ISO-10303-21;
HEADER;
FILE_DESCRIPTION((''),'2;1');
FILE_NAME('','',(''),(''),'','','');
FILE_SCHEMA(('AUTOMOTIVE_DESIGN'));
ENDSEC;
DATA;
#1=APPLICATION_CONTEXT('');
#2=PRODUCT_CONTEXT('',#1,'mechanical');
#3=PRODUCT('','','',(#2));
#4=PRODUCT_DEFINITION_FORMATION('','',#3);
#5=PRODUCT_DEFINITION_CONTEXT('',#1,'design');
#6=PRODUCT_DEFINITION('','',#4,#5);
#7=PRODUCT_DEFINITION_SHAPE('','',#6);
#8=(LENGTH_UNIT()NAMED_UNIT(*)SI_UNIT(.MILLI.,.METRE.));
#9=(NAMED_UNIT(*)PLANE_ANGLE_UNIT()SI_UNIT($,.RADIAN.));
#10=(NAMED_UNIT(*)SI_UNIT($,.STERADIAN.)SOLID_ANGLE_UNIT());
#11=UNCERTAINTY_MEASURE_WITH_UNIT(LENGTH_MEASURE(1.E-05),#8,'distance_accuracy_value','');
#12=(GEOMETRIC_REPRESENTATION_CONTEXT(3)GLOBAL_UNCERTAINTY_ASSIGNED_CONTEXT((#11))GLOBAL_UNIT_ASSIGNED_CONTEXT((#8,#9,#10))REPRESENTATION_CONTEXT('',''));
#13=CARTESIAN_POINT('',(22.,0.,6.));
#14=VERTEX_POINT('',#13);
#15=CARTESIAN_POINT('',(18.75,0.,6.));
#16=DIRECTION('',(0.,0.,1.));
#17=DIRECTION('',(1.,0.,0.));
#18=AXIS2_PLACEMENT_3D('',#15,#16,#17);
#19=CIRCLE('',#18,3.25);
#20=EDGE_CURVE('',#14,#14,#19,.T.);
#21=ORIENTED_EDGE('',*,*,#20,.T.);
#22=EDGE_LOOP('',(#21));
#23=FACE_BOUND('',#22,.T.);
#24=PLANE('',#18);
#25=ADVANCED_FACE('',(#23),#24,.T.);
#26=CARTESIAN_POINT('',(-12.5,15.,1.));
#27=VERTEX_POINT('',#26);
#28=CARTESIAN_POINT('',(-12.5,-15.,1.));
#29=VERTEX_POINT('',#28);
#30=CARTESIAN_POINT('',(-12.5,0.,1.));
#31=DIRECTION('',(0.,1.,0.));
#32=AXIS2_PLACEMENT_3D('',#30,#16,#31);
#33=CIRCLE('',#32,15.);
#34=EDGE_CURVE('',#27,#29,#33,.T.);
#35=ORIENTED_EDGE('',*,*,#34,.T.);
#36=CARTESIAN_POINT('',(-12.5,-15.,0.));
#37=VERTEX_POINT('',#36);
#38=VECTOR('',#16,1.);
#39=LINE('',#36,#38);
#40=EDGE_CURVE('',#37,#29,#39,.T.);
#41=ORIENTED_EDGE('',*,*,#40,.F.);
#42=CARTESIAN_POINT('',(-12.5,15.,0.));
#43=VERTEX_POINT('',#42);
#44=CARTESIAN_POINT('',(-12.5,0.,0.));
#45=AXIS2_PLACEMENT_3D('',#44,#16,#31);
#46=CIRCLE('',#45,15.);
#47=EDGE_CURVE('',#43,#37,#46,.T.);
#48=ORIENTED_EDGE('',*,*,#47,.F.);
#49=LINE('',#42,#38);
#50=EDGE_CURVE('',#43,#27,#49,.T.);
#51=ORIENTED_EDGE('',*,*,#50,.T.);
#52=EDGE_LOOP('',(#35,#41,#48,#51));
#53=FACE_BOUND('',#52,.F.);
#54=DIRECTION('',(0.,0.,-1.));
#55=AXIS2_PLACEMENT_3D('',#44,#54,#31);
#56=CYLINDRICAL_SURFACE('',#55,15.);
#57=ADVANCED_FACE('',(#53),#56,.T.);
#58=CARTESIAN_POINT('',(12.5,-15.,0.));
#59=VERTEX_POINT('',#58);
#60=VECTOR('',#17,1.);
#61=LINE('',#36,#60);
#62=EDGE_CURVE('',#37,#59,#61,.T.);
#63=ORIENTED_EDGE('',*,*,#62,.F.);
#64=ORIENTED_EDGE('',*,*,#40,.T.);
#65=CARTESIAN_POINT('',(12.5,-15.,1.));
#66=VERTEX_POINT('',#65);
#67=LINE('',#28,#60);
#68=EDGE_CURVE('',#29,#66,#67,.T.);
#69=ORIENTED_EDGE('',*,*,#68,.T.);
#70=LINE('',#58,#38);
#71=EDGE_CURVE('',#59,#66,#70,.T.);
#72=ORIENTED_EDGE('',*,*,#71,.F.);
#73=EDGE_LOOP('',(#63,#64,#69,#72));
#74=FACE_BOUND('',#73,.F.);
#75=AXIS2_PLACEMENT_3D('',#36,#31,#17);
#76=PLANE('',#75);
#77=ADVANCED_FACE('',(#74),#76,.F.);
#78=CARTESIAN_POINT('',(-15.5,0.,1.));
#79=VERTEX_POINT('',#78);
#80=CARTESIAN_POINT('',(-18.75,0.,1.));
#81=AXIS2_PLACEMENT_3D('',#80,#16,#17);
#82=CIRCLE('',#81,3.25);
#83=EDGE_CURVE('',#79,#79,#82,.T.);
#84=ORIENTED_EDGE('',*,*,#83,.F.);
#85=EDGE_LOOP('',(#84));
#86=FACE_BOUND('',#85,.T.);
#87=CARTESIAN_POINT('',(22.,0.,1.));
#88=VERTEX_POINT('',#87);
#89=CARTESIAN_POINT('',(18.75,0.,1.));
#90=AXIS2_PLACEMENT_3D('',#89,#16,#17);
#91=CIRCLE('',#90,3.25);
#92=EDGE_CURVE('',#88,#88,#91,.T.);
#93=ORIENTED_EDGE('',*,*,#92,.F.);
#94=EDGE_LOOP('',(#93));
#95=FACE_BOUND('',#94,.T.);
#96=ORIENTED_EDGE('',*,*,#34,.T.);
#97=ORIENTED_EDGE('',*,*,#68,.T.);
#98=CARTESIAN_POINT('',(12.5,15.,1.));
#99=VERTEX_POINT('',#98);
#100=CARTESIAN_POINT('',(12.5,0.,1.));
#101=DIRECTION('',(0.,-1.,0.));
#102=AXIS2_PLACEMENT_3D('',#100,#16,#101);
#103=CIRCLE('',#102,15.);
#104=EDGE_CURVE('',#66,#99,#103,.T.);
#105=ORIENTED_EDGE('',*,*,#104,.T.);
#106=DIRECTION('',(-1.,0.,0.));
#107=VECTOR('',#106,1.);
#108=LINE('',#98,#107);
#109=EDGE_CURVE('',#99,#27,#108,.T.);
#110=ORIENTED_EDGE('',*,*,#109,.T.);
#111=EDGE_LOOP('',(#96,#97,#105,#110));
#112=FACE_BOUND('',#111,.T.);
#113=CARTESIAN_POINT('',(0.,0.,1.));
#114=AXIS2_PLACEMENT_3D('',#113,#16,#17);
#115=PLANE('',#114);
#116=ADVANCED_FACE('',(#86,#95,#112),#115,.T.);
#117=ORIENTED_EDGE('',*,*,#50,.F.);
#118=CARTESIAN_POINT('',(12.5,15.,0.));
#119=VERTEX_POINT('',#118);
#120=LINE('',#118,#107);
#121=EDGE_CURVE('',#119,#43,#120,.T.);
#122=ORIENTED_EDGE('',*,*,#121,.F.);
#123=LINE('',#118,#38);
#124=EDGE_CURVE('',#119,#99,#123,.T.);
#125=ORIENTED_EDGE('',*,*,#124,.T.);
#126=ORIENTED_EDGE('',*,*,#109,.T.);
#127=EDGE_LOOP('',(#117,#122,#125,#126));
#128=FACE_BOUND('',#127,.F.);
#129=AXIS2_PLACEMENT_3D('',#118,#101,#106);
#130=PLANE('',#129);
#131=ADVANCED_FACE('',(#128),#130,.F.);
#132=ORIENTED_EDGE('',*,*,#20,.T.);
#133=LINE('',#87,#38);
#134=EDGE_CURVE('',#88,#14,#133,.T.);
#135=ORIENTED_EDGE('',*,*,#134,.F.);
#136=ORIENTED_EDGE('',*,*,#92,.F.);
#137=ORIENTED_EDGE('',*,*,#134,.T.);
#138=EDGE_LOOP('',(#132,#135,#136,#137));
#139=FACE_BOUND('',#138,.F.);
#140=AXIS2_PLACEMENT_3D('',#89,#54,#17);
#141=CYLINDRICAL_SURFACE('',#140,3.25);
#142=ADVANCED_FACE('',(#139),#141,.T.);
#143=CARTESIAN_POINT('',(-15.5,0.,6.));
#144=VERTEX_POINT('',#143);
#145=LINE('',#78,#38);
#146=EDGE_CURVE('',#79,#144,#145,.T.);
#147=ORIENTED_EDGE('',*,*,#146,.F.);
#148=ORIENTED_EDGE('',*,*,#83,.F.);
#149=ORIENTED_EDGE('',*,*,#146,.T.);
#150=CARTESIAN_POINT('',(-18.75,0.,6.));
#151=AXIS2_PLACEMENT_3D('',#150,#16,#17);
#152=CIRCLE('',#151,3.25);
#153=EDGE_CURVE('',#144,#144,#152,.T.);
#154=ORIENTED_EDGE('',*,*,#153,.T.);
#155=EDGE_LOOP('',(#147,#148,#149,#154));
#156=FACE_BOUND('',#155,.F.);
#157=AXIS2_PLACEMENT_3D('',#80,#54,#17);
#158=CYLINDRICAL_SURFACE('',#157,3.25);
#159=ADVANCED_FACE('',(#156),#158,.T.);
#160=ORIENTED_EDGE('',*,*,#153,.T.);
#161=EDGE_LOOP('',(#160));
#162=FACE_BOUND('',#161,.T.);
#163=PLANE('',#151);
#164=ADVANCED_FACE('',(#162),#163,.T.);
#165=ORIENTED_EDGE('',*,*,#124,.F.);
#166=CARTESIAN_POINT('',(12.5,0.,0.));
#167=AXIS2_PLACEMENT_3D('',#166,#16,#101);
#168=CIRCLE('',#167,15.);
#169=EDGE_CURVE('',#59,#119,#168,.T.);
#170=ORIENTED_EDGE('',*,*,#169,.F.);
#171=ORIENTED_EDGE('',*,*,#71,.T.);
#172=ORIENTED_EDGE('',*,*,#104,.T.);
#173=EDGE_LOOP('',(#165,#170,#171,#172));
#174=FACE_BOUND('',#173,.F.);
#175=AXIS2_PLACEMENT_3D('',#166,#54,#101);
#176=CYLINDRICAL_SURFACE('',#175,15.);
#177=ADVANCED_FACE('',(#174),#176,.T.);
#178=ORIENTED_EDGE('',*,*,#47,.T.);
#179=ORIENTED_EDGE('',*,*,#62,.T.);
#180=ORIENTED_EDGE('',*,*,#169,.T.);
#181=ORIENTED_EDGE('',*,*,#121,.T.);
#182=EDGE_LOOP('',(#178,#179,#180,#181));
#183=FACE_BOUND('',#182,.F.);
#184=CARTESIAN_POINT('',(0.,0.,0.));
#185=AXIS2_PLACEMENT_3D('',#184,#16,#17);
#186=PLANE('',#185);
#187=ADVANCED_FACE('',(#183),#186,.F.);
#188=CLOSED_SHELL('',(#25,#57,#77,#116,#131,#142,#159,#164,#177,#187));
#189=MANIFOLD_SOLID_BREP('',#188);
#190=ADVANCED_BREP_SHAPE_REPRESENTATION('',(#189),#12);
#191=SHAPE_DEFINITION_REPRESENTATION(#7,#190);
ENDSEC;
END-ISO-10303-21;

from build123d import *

# Parameters (mm, degrees)
F1_DEPTH = 1
F2_R     = 3.25
F3_DEPTH = 5


with BuildPart() as f1:
    # F0 (on Top) → F1 (new body)
    with BuildSketch(Plane.XY):
        with BuildLine():
            Line((12.5, 15), (-12.5, 15))
            ThreePointArc((-12.5, 15), (-27.5, 0), (-12.5, -15))
            Line((-12.5, -15), (12.5, -15))
            ThreePointArc((12.5, -15), (27.5, 0), (12.5, 15))
        make_face()
    extrude(amount=F1_DEPTH)

    # F2 (on face) → F3 (join)
    with BuildSketch(Plane.XY.offset(1)):
        with Locations((-18.75, 0)):
            Circle(F2_R)
        with Locations((18.75, 0)):
            Circle(F2_R)
    extrude(amount=F3_DEPTH)


solid = f1.part
